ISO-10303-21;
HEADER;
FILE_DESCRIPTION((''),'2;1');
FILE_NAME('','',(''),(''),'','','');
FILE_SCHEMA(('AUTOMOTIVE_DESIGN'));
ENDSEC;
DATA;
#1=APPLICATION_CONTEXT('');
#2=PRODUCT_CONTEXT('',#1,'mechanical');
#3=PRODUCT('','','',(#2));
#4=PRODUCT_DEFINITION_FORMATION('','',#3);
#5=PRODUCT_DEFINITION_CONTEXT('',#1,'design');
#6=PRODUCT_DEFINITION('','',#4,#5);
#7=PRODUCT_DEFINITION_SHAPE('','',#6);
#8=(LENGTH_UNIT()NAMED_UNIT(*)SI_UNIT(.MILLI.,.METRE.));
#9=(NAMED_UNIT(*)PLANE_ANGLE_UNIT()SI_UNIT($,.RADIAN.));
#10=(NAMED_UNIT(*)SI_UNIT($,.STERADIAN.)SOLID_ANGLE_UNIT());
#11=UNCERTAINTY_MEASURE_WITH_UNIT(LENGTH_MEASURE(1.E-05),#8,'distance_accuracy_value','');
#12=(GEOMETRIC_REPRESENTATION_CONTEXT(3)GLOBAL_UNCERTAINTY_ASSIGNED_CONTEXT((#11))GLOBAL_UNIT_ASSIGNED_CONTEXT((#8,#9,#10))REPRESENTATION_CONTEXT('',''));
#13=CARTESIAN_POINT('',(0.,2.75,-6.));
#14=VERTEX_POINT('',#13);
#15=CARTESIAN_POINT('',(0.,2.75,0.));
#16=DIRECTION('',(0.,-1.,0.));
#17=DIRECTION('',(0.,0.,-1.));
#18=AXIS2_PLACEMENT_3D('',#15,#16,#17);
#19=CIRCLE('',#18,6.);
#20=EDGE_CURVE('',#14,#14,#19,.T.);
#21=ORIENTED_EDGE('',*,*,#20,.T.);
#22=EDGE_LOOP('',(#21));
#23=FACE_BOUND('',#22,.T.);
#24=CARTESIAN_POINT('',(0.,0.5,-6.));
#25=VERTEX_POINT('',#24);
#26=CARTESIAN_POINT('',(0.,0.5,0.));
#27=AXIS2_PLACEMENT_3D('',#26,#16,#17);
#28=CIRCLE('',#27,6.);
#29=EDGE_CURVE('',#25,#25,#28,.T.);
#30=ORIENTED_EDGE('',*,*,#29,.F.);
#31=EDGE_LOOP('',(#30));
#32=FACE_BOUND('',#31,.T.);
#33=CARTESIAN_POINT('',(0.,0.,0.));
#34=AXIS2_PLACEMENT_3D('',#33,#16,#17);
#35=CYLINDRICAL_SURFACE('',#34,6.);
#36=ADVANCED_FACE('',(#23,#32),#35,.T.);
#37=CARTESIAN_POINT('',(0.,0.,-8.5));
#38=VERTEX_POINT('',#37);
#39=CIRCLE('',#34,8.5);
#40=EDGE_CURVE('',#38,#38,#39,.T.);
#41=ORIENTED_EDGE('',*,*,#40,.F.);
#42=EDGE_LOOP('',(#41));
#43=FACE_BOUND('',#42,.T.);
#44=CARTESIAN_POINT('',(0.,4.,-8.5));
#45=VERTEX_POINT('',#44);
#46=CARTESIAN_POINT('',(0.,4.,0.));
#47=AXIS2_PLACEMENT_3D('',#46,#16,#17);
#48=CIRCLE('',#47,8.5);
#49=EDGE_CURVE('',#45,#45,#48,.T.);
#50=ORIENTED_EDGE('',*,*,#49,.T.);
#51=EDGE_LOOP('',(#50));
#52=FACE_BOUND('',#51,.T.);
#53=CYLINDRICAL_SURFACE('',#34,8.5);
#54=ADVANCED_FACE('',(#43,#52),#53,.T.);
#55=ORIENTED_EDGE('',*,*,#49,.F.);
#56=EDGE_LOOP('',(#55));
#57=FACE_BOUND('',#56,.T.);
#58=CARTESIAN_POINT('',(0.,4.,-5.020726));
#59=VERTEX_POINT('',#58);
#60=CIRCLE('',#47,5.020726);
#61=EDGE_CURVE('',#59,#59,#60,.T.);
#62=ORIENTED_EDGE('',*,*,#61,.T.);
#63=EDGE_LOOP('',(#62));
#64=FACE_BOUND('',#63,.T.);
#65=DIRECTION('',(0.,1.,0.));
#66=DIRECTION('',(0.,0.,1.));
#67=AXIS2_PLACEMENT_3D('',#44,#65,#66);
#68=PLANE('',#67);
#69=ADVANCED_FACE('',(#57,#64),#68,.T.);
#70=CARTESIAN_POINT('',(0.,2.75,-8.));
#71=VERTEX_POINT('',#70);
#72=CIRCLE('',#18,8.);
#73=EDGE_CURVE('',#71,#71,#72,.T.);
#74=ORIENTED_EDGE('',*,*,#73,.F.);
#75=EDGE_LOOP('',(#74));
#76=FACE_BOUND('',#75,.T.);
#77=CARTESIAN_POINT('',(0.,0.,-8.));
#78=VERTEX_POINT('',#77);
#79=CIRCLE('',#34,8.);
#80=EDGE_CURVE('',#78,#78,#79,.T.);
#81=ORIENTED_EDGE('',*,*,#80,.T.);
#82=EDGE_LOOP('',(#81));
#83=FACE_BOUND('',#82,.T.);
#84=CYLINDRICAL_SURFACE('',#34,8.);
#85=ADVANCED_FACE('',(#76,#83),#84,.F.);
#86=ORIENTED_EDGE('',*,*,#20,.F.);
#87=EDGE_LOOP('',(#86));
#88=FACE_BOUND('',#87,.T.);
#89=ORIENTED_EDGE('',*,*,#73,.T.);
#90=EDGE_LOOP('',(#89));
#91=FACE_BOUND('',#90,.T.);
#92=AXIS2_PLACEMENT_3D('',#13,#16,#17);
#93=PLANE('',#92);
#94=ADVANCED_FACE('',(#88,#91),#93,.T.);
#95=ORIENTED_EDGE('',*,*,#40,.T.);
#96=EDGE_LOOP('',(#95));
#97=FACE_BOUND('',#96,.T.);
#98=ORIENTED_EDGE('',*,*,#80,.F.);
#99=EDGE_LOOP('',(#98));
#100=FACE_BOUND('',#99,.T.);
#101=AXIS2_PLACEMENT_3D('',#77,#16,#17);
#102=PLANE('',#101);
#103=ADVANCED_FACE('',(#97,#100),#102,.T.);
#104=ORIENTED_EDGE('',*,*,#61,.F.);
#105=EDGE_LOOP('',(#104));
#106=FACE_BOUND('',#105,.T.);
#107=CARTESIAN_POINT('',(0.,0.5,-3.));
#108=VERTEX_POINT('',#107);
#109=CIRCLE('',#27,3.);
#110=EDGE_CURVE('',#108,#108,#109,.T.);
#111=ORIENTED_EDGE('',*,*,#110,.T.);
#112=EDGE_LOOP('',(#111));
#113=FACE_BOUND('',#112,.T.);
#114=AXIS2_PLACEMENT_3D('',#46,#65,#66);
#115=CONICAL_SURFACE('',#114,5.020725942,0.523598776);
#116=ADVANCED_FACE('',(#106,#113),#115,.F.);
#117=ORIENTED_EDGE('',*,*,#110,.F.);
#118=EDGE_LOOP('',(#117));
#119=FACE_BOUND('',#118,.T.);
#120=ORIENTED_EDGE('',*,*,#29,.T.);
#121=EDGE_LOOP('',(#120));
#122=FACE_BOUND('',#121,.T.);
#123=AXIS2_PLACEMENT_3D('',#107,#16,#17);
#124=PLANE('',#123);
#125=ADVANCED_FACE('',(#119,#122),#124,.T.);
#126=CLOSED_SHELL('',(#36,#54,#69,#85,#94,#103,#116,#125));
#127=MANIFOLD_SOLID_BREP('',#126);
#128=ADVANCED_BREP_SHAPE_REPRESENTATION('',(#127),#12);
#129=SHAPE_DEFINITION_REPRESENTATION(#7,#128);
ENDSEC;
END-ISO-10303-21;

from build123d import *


with BuildPart() as part:
    # Sketch1 → Revolve1 (revolve)
    with BuildSketch(Plane(origin=(0, 0, 0), x_dir=(0, 0, -1), z_dir=(1, 0, 0))):
        Polygon((8, 0), (8.5, 0), (8.5, 4), (5.020725942, 4), (3, 0.5), (6, 0.5), (6, 2.75), (8, 2.75), align=None)
    revolve(axis=Axis((0, 0, 0), (0, 1, 0)))


solid = part.part
